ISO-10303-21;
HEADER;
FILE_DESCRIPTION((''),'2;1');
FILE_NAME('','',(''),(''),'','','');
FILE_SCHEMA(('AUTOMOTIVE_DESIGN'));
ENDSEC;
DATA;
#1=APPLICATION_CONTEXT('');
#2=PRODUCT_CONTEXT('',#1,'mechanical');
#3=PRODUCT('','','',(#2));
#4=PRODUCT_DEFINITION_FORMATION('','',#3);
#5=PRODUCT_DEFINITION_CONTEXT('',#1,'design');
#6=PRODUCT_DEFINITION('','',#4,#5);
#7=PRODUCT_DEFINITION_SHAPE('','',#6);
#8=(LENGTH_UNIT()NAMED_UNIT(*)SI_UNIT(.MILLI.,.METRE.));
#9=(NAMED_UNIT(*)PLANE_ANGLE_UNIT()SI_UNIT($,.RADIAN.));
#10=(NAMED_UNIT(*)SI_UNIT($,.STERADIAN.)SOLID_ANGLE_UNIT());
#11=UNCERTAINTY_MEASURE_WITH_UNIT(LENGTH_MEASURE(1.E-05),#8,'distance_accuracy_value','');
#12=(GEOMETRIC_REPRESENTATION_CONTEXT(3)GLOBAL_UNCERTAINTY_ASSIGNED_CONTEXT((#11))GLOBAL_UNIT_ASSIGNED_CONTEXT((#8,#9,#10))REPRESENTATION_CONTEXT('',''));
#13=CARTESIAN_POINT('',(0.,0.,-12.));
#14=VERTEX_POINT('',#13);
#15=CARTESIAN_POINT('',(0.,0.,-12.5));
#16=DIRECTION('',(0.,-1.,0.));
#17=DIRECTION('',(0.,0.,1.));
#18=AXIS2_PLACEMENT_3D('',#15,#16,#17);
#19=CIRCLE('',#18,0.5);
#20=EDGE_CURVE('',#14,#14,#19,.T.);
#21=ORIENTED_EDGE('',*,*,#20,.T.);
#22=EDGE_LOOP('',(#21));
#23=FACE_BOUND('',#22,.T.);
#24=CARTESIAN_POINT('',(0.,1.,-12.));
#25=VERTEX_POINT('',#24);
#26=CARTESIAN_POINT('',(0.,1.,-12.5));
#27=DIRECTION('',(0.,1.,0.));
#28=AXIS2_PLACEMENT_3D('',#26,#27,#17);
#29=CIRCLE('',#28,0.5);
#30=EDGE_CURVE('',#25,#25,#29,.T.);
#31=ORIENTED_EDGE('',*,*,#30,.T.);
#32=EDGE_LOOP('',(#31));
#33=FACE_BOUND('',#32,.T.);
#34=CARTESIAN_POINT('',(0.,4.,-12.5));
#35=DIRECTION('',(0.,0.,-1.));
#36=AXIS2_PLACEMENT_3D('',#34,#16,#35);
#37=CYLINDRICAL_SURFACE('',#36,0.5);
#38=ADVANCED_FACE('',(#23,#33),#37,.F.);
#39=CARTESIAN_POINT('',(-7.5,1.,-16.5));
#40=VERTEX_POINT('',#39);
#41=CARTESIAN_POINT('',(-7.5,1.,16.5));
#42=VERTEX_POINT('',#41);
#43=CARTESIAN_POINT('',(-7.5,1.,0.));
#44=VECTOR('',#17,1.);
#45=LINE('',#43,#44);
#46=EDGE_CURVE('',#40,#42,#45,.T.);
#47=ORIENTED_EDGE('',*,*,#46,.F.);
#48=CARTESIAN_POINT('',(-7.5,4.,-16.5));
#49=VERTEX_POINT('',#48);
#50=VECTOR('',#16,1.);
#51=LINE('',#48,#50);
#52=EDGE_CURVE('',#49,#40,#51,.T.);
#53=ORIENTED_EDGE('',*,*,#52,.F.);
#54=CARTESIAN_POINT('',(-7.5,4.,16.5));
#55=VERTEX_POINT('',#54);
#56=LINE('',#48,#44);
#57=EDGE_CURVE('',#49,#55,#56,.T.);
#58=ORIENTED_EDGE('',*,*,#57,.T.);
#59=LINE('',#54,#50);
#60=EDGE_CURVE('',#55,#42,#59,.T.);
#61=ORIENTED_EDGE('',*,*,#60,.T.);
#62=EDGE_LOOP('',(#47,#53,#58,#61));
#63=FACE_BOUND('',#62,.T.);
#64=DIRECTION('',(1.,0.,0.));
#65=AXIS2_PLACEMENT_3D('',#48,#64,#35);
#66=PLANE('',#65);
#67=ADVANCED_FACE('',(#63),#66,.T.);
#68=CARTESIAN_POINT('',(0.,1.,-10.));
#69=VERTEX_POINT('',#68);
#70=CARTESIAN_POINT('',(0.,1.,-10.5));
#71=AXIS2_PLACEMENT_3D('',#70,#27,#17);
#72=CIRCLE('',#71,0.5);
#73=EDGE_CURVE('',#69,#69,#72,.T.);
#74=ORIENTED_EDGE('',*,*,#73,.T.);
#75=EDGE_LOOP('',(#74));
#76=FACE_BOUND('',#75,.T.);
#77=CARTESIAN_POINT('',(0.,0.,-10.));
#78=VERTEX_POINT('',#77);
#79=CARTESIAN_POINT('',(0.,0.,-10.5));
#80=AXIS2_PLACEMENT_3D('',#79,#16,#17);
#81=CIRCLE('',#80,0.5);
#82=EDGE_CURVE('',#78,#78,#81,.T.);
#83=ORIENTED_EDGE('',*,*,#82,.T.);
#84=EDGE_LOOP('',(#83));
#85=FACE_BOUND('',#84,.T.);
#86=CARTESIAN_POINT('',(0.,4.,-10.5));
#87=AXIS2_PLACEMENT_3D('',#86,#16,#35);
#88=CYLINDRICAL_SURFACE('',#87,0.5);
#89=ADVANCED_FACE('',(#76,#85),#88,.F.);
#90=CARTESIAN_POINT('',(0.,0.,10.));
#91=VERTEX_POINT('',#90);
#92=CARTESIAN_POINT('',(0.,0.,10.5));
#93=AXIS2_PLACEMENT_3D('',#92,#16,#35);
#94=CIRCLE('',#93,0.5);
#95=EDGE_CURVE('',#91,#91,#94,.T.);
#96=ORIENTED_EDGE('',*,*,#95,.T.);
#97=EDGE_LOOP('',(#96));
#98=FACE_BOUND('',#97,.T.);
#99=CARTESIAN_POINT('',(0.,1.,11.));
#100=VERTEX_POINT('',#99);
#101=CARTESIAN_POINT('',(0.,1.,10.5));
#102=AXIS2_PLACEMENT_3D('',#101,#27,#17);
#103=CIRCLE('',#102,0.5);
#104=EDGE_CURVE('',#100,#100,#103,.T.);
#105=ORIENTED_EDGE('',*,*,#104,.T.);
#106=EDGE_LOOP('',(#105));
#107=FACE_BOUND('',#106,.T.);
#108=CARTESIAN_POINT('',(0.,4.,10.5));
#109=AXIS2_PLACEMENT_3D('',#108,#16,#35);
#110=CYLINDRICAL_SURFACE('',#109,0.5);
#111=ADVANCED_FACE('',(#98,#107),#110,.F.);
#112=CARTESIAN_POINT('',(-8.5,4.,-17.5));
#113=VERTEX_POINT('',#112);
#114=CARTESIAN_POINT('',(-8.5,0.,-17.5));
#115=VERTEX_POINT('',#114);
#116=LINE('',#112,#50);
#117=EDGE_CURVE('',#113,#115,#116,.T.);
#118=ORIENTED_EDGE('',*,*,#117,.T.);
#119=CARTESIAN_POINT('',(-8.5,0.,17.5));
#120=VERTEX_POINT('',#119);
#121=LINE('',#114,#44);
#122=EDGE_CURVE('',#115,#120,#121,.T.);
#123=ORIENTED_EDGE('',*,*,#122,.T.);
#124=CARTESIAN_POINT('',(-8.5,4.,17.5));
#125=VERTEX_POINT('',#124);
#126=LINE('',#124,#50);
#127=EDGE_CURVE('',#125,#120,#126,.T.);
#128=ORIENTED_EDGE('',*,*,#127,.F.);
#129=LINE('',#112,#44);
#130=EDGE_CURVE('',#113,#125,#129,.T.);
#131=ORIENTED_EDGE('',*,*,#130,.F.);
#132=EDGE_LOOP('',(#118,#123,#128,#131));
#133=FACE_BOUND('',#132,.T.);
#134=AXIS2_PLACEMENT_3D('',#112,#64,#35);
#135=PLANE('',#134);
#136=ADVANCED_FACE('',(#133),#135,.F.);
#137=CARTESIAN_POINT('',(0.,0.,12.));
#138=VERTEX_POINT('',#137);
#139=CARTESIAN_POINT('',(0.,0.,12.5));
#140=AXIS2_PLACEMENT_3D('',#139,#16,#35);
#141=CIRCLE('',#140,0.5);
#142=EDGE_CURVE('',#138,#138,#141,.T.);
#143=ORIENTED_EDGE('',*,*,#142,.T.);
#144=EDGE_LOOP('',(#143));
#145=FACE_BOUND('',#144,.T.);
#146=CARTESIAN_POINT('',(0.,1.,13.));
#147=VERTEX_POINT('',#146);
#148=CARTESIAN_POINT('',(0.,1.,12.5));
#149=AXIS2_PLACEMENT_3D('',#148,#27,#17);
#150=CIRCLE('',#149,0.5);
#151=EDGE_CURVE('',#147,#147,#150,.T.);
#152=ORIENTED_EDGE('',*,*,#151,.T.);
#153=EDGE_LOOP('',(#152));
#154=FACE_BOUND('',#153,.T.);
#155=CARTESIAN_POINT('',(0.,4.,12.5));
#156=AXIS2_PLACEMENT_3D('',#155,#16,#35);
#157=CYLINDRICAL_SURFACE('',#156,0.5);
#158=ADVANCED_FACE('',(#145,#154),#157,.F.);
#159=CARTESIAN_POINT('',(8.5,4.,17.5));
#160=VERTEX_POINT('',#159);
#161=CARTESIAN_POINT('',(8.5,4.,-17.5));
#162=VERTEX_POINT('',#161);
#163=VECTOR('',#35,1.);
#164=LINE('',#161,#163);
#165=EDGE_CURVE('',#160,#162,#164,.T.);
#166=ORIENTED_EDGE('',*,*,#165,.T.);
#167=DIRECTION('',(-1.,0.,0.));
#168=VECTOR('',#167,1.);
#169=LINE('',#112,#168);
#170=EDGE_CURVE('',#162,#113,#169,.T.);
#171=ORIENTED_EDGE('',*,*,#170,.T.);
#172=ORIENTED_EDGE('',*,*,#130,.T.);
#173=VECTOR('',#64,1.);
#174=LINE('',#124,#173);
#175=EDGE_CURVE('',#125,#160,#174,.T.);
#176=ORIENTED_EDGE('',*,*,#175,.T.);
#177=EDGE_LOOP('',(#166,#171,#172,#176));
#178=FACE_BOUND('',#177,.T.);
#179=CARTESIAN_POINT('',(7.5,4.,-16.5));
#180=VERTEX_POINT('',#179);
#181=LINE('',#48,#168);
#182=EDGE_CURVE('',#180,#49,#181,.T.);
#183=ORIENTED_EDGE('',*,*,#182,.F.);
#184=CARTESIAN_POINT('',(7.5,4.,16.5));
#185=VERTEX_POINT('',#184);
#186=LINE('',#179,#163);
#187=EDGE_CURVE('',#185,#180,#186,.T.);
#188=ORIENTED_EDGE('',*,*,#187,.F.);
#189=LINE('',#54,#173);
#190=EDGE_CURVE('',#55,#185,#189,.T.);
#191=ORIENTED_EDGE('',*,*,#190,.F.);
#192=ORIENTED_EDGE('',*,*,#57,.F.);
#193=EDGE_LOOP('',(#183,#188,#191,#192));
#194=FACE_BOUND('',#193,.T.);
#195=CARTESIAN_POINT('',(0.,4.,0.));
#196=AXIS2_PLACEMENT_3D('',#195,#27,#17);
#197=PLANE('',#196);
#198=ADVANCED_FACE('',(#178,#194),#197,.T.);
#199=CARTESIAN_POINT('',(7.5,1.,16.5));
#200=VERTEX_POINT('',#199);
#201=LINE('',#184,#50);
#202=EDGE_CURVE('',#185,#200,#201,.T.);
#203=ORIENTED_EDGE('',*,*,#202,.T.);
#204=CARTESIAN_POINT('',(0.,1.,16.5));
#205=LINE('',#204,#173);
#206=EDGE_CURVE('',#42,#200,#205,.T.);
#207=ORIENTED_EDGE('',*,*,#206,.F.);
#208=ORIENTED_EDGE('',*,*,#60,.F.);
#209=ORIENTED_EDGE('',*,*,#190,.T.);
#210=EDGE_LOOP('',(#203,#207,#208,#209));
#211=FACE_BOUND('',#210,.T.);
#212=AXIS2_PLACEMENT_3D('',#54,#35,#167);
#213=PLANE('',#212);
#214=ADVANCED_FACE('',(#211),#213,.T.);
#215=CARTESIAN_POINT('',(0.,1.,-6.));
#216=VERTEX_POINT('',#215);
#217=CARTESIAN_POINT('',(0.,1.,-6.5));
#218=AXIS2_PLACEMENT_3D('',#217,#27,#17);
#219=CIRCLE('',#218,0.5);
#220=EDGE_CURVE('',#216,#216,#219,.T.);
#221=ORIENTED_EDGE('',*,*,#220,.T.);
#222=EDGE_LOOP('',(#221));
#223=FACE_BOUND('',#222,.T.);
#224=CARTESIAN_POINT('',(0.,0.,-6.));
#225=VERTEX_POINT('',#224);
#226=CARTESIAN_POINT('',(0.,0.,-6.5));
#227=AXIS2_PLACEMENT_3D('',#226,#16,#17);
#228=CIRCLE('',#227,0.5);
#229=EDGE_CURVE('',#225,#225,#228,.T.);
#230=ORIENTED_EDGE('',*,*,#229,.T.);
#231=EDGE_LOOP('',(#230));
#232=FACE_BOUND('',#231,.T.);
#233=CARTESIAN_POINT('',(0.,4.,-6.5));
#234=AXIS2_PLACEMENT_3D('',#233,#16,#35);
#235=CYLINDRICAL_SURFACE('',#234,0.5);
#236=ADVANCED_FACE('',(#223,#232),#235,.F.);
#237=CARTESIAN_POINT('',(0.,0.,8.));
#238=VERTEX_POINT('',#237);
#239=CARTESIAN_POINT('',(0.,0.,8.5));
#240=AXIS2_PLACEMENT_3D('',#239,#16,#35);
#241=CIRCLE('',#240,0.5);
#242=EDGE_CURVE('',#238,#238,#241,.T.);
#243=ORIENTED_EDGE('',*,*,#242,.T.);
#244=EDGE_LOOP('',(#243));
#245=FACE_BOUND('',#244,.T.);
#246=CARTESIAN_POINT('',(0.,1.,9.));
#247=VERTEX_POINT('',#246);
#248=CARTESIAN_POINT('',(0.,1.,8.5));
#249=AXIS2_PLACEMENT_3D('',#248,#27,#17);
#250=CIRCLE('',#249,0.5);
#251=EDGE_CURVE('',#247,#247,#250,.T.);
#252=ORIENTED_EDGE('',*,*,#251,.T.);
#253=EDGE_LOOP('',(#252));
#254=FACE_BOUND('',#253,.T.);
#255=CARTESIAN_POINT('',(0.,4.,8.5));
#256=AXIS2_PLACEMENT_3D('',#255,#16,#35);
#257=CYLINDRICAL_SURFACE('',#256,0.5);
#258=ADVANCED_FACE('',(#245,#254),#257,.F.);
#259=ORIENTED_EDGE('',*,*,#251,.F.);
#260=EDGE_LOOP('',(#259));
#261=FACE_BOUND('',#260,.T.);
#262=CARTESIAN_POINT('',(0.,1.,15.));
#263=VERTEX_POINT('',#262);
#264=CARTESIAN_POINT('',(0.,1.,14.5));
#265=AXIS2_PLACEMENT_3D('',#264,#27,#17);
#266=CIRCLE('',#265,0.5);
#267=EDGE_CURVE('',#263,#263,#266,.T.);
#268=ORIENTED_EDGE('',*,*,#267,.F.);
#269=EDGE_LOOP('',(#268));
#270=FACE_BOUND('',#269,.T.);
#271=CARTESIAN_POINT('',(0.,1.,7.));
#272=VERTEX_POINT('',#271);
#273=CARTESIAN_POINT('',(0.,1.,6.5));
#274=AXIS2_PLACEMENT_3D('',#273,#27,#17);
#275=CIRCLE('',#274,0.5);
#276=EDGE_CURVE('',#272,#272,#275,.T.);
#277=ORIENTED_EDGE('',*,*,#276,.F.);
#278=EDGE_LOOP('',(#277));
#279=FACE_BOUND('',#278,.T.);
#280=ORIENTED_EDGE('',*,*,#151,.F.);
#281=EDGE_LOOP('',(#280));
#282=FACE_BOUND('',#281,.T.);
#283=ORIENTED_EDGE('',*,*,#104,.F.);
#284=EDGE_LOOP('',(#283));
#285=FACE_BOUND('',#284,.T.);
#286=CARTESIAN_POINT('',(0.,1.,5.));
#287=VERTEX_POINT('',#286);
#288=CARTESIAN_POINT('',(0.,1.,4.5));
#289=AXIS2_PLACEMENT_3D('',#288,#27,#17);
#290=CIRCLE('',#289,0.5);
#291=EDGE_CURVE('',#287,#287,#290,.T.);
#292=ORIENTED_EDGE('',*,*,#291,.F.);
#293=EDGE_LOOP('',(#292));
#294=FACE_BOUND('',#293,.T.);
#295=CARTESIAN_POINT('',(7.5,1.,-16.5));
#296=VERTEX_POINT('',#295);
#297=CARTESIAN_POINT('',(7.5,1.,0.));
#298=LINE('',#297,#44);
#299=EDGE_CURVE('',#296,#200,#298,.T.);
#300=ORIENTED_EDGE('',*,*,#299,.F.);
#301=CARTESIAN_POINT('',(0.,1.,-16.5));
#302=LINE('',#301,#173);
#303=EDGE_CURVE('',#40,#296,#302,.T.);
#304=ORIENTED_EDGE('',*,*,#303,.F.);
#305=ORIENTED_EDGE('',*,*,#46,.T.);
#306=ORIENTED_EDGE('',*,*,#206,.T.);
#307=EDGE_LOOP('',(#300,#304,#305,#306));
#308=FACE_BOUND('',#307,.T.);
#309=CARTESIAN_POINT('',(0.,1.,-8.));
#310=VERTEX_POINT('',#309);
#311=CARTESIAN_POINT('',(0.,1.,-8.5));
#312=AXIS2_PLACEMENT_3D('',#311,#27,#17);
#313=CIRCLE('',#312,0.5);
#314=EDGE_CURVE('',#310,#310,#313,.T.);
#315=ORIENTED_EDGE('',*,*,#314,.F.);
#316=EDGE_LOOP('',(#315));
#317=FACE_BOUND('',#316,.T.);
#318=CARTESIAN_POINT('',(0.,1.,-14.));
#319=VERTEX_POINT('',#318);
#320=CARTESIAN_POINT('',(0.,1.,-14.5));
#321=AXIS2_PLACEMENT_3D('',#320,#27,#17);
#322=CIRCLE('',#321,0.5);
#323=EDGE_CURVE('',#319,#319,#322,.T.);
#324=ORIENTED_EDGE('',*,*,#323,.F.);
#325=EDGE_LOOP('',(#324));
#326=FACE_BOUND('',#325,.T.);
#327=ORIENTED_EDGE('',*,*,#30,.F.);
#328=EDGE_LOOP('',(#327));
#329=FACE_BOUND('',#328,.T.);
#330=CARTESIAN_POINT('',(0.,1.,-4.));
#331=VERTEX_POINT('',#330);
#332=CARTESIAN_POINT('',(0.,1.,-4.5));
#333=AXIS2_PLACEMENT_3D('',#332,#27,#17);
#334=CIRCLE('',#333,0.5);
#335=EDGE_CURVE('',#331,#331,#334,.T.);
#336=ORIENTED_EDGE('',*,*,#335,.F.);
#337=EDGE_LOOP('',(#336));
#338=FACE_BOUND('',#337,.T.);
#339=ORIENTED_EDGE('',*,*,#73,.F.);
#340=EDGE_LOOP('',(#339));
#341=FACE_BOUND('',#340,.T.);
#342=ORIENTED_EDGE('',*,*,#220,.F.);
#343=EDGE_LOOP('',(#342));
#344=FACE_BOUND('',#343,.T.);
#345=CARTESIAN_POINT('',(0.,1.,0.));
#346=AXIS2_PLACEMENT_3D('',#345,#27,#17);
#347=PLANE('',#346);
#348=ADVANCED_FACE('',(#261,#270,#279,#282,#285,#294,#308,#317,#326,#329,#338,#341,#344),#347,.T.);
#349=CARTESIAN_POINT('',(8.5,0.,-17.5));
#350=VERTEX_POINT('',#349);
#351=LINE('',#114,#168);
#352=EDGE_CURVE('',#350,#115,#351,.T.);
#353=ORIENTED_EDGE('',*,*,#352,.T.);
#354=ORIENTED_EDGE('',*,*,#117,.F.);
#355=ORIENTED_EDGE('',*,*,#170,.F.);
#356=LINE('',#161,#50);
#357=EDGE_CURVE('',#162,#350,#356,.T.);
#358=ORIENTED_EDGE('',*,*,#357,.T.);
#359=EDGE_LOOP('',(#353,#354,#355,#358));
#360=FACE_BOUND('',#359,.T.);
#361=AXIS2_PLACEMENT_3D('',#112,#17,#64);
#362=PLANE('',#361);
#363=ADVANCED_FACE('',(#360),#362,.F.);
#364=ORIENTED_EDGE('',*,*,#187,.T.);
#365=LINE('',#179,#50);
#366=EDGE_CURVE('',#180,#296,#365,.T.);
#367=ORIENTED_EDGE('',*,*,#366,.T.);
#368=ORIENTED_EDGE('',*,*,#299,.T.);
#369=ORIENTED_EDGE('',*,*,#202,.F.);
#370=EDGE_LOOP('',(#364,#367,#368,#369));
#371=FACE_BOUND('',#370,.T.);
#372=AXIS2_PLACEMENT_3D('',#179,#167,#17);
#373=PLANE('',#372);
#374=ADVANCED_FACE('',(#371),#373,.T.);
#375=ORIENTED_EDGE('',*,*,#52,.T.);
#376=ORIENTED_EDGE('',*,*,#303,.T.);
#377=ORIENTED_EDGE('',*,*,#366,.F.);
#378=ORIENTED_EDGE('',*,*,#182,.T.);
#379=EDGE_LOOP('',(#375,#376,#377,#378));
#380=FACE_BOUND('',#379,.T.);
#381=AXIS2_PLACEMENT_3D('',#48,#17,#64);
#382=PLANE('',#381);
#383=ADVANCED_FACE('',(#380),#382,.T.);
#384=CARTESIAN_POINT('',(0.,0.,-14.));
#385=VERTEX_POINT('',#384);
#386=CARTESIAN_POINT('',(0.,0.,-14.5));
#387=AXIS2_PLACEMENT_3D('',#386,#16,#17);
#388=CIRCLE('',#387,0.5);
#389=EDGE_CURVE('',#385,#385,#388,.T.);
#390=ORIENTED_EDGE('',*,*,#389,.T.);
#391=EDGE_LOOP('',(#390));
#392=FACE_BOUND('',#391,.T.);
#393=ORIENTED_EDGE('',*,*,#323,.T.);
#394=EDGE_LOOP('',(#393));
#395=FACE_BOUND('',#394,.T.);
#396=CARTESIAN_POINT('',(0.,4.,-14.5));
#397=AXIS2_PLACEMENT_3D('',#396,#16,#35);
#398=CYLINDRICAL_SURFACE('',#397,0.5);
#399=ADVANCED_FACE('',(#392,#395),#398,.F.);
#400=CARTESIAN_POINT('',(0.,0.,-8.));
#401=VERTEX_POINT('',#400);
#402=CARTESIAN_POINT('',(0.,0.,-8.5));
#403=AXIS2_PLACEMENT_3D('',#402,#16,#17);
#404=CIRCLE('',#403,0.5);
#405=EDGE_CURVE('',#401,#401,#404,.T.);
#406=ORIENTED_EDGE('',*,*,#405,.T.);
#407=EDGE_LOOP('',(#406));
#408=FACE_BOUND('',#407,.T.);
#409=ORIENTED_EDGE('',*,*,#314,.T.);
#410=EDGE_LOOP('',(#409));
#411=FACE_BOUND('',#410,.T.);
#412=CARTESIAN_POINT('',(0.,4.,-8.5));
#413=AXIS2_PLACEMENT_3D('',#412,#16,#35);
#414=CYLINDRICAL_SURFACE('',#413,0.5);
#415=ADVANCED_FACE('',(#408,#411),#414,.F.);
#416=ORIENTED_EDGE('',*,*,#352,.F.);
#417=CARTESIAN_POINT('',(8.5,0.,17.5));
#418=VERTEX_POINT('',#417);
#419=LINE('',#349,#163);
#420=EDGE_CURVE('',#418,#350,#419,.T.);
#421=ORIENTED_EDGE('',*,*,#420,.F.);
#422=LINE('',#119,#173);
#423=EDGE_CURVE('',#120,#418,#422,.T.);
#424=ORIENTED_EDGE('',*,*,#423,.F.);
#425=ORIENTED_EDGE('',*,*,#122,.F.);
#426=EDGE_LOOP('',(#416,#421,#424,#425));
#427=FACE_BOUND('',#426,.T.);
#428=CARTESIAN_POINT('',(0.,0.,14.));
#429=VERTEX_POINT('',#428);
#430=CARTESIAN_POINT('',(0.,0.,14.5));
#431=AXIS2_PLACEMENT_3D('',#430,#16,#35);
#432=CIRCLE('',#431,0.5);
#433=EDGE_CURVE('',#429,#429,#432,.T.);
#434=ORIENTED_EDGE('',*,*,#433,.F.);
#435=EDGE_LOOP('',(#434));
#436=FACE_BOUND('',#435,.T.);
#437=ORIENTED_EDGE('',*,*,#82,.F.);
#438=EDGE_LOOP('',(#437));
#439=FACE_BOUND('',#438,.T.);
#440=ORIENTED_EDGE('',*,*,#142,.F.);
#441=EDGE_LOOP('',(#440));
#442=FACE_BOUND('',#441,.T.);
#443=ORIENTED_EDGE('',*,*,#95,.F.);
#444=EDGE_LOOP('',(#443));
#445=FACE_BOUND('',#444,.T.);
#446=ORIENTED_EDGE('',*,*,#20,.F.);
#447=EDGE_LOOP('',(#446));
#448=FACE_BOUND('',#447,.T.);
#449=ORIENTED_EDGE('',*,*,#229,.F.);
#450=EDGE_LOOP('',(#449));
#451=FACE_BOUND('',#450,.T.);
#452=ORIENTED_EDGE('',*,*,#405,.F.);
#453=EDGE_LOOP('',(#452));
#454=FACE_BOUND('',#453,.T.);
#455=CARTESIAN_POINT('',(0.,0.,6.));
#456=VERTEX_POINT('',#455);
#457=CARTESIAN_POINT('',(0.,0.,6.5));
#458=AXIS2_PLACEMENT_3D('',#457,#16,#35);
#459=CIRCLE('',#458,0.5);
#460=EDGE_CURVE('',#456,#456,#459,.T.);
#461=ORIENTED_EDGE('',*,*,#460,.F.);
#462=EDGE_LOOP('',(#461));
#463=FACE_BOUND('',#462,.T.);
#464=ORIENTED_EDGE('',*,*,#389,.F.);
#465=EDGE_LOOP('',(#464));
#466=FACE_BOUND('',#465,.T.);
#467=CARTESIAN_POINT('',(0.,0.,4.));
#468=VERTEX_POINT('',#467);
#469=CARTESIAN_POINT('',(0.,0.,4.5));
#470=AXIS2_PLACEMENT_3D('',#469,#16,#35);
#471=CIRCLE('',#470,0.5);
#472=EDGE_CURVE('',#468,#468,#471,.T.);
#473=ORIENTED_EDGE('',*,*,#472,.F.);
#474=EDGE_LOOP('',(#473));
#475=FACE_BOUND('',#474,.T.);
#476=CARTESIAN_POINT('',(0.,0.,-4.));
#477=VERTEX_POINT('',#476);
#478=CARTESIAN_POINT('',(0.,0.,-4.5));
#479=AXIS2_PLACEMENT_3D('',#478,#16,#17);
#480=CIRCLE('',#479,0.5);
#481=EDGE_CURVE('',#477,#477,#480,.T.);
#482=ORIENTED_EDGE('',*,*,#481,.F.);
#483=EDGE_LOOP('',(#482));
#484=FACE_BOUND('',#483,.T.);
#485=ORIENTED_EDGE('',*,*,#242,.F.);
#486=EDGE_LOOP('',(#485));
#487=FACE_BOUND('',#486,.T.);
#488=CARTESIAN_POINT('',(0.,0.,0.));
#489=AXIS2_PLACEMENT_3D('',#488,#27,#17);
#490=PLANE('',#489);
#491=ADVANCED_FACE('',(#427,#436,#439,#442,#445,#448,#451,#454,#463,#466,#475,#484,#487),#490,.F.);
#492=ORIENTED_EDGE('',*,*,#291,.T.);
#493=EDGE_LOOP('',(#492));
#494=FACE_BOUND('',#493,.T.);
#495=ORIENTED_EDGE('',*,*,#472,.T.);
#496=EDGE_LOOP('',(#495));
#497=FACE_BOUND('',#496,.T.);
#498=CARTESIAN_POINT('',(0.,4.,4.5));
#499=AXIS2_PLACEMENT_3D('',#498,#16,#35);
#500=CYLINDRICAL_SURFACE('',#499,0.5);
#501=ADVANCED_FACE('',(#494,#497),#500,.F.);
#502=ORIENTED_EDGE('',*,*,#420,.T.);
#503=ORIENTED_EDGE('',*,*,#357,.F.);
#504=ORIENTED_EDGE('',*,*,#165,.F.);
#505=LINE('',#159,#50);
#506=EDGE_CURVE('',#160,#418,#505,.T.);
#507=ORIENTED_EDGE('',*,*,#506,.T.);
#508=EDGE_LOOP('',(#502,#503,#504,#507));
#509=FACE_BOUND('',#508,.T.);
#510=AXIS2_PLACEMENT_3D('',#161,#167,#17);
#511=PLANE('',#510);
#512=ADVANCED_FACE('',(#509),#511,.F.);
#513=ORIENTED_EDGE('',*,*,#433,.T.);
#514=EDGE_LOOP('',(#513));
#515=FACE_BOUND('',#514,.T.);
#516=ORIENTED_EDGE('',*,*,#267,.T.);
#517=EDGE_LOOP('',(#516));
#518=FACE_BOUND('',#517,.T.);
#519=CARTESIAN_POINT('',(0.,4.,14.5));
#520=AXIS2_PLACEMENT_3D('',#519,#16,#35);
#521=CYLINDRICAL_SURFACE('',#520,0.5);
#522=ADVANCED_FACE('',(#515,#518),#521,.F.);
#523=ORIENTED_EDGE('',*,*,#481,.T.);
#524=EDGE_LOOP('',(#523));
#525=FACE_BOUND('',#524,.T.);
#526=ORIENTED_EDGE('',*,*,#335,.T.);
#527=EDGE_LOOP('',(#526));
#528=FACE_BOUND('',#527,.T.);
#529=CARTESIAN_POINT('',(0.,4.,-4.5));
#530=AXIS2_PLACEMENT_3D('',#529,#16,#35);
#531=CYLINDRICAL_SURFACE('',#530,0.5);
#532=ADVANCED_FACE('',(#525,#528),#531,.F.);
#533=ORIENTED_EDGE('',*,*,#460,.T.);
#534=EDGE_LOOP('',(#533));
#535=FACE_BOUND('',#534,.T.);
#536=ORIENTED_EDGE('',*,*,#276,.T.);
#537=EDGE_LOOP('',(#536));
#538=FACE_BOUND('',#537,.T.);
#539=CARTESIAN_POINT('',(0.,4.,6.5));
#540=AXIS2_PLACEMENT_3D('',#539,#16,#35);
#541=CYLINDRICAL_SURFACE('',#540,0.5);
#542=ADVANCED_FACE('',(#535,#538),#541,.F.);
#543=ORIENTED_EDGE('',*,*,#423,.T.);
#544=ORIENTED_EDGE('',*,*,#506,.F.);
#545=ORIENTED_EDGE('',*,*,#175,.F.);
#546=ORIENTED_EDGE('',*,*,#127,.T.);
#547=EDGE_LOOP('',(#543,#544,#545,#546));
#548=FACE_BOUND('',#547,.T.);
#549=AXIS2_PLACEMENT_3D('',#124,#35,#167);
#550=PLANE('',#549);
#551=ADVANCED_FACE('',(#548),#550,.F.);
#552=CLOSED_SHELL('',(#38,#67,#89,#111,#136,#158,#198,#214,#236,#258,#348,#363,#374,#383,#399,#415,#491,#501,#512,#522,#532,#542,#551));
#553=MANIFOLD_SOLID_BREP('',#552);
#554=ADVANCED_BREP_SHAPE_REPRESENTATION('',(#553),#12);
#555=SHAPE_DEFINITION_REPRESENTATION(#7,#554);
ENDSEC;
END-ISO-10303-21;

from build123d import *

# Parameters (mm, degrees)
SKETCH_1_W          = 17
SKETCH_1_H          = 35
SKETCH_1_W_2        = 15
SKETCH_1_H_2        = 33
EXTRUDE_1_DEPTH     = 4
SKETCH_1_2_W        = 15
SKETCH_1_2_H        = 33
EXTRUDE_2_DEPTH     = 1
SKETCH_2_R          = 0.5
CUT_EXTRUDE_1_DEPTH = 20.862024066


with BuildPart() as part:
    # 草图1 → 凸台-拉伸1 (new body)
    with BuildSketch(Plane(origin=(0, 0, 0), x_dir=(1, 0, 0), z_dir=(0, 1, 0))):
        Rectangle(SKETCH_1_W, SKETCH_1_H)
        Rectangle(SKETCH_1_W_2, SKETCH_1_H_2, mode=Mode.SUBTRACT)
    extrude(amount=EXTRUDE_1_DEPTH)

    # 草图1<2> → 凸台-拉伸2 (add)
    with BuildSketch(Plane(origin=(0, 0, 0), x_dir=(1, 0, 0), z_dir=(0, 1, 0))):
        Rectangle(SKETCH_1_2_W, SKETCH_1_2_H)
    extrude(amount=EXTRUDE_2_DEPTH)

    # 草图2 → 切除-拉伸1 (cut, through all)
    with BuildSketch(Plane.XZ):
        with Locations((0, 14.5)):
            Circle(SKETCH_2_R)
        with Locations((0, 12.5)):
            Circle(SKETCH_2_R)
        with Locations((0, 10.5)):
            Circle(SKETCH_2_R)
        with Locations((0, 8.5)):
            Circle(SKETCH_2_R)
        with Locations((0, 6.5)):
            Circle(SKETCH_2_R)
        with Locations((0, 4.5)):
            Circle(SKETCH_2_R)
        with Locations((0, -4.5)):
            Circle(SKETCH_2_R)
        with Locations((0, -6.5)):
            Circle(SKETCH_2_R)
        with Locations((0, -8.5)):
            Circle(SKETCH_2_R)
        with Locations((0, -10.5)):
            Circle(SKETCH_2_R)
        with Locations((0, -12.5)):
            Circle(SKETCH_2_R)
        with Locations((0, -14.5)):
            Circle(SKETCH_2_R)
    extrude(amount=-CUT_EXTRUDE_1_DEPTH, mode=Mode.SUBTRACT)


solid = part.part
